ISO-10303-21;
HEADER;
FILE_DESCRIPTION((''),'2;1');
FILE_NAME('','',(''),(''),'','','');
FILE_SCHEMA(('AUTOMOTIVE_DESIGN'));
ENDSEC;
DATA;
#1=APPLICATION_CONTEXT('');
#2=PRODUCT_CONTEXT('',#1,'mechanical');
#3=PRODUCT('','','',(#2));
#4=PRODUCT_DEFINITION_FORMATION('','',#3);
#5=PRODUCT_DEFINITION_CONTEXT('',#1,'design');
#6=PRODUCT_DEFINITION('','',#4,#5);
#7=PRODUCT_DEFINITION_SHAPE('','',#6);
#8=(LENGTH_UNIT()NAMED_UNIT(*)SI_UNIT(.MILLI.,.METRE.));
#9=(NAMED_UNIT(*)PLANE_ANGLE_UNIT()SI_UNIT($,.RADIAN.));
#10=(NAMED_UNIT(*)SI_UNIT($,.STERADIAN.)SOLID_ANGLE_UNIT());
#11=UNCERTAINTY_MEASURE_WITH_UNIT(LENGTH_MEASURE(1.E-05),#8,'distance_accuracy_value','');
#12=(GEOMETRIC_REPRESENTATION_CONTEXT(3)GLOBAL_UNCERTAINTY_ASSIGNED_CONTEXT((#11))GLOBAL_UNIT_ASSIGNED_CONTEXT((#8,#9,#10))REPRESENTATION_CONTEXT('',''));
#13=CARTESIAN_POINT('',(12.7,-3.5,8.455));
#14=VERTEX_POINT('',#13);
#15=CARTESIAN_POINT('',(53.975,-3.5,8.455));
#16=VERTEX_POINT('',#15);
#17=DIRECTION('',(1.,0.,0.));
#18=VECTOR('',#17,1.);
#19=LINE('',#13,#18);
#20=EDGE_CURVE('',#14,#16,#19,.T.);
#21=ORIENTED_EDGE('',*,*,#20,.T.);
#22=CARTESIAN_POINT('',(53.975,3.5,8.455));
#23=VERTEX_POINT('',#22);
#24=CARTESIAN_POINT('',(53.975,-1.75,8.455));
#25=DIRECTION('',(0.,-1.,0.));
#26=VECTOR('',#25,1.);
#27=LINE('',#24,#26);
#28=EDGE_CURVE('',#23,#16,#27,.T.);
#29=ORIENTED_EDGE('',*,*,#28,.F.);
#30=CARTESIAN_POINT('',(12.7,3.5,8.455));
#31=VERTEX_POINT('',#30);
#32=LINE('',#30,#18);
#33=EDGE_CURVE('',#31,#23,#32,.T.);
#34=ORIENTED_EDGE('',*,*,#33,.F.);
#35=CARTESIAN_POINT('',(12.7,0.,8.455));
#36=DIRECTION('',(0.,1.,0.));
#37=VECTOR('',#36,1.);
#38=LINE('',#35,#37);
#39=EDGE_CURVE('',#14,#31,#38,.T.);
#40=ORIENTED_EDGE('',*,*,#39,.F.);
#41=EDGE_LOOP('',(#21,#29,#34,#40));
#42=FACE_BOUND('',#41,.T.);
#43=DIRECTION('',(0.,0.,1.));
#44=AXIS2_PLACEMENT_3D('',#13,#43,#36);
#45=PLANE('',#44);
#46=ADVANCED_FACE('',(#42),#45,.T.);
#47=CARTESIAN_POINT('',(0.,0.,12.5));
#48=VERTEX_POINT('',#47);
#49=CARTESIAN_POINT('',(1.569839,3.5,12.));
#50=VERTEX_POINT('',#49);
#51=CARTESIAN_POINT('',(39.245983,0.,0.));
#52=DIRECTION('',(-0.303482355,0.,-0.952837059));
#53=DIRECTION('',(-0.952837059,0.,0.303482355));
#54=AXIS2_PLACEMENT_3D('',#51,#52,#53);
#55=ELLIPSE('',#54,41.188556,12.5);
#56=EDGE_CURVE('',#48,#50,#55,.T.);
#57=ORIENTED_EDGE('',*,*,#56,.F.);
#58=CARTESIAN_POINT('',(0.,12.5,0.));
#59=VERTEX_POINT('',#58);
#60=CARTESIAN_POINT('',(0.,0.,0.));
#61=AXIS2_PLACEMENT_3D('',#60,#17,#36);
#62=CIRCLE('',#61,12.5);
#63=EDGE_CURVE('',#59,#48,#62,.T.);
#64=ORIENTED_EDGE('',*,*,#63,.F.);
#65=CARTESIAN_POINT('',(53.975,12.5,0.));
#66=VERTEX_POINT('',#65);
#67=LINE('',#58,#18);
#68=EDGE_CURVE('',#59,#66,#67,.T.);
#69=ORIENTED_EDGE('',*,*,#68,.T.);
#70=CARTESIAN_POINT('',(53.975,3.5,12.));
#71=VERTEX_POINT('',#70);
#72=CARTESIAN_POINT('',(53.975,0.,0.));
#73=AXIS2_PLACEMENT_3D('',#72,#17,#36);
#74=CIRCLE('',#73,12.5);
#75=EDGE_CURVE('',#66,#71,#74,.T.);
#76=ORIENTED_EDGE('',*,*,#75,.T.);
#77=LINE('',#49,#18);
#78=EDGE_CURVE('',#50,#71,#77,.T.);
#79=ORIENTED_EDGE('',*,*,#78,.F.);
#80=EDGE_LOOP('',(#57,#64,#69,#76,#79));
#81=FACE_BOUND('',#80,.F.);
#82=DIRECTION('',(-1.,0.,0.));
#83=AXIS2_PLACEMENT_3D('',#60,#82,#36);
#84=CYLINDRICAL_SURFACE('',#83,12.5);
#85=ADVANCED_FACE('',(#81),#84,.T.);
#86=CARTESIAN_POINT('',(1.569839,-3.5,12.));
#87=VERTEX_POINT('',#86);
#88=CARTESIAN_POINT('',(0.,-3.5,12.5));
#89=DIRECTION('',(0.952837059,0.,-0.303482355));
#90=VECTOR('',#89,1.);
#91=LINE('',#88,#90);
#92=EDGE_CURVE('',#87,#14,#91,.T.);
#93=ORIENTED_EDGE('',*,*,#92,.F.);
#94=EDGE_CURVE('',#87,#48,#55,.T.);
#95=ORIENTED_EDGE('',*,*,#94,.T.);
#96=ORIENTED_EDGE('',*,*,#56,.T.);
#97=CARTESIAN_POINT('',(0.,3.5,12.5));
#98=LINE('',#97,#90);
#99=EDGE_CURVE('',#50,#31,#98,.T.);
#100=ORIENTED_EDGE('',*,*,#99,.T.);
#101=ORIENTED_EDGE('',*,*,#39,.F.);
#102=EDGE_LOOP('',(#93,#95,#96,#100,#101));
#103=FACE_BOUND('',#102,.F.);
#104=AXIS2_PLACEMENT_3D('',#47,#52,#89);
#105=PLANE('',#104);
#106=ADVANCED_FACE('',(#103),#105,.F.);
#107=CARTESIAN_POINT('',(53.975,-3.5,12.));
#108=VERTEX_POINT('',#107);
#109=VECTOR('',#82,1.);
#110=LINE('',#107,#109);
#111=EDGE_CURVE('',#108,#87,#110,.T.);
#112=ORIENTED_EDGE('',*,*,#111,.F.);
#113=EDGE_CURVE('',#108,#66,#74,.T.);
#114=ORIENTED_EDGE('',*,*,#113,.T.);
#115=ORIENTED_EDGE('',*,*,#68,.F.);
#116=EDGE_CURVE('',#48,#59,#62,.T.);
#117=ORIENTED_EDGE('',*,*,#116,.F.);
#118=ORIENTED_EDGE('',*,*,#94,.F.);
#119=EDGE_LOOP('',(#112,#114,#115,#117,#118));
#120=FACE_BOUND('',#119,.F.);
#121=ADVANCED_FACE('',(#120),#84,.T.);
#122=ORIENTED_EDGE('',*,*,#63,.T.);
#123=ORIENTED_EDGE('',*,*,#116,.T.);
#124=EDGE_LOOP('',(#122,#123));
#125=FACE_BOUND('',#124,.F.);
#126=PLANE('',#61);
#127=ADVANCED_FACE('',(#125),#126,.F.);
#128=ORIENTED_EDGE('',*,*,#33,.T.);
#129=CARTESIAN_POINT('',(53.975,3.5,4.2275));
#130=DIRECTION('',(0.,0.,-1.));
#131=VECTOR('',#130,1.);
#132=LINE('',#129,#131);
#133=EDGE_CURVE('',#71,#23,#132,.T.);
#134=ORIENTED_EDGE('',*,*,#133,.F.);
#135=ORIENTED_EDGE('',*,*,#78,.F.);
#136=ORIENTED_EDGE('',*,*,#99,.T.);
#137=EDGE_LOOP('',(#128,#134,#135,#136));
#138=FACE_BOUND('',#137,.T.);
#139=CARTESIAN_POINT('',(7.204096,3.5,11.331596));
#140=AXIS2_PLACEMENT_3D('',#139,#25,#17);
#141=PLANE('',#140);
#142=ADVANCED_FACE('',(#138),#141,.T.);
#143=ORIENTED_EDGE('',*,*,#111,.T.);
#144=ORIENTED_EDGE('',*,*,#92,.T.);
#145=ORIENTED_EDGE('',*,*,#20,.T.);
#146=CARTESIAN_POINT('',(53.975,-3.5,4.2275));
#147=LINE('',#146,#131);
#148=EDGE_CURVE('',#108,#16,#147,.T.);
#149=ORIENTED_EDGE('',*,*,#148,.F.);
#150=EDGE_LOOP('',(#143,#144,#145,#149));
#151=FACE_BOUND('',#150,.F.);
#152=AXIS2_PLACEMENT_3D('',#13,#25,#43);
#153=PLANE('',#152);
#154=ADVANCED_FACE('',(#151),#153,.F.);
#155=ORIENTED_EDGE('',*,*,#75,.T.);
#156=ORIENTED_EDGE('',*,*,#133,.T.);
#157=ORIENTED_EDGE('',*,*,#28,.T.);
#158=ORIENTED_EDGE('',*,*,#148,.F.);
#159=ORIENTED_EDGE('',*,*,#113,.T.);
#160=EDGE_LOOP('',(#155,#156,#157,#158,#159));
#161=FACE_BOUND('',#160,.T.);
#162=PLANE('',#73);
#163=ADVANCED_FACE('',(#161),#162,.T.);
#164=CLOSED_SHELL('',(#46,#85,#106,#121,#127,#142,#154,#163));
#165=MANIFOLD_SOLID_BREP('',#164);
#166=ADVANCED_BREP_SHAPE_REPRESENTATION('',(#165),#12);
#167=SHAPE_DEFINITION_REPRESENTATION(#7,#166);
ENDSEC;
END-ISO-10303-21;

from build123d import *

# Parameters (mm, degrees)
F0_R     = 12.5
F1_DEPTH = 53.975
F3_W     = 7
F3_H     = 4.045
F4_DEPTH = 41.276
F6_DEPTH = 3.5


with BuildPart() as f1:
    # F0 (on Right) → F1 (new body)
    with BuildSketch(Plane.YZ):
        Circle(F0_R)
    extrude(amount=F1_DEPTH)

    # F3 (on offset) → F4 (cut, through all)
    with BuildSketch(Plane.YZ.offset(12.7)):
        with Locations((0, 10.4775)):
            Rectangle(F3_W, F3_H)
    extrude(amount=F4_DEPTH, mode=Mode.SUBTRACT)

    # F5 (on Front) → F6 (cut, symmetric)
    with BuildSketch(Plane.XZ):
        Polygon((0, 12.5), (12.7, 8.455), (12.7, 12.5), align=None)
    extrude(amount=F6_DEPTH, both=True, mode=Mode.SUBTRACT)


solid = f1.part
